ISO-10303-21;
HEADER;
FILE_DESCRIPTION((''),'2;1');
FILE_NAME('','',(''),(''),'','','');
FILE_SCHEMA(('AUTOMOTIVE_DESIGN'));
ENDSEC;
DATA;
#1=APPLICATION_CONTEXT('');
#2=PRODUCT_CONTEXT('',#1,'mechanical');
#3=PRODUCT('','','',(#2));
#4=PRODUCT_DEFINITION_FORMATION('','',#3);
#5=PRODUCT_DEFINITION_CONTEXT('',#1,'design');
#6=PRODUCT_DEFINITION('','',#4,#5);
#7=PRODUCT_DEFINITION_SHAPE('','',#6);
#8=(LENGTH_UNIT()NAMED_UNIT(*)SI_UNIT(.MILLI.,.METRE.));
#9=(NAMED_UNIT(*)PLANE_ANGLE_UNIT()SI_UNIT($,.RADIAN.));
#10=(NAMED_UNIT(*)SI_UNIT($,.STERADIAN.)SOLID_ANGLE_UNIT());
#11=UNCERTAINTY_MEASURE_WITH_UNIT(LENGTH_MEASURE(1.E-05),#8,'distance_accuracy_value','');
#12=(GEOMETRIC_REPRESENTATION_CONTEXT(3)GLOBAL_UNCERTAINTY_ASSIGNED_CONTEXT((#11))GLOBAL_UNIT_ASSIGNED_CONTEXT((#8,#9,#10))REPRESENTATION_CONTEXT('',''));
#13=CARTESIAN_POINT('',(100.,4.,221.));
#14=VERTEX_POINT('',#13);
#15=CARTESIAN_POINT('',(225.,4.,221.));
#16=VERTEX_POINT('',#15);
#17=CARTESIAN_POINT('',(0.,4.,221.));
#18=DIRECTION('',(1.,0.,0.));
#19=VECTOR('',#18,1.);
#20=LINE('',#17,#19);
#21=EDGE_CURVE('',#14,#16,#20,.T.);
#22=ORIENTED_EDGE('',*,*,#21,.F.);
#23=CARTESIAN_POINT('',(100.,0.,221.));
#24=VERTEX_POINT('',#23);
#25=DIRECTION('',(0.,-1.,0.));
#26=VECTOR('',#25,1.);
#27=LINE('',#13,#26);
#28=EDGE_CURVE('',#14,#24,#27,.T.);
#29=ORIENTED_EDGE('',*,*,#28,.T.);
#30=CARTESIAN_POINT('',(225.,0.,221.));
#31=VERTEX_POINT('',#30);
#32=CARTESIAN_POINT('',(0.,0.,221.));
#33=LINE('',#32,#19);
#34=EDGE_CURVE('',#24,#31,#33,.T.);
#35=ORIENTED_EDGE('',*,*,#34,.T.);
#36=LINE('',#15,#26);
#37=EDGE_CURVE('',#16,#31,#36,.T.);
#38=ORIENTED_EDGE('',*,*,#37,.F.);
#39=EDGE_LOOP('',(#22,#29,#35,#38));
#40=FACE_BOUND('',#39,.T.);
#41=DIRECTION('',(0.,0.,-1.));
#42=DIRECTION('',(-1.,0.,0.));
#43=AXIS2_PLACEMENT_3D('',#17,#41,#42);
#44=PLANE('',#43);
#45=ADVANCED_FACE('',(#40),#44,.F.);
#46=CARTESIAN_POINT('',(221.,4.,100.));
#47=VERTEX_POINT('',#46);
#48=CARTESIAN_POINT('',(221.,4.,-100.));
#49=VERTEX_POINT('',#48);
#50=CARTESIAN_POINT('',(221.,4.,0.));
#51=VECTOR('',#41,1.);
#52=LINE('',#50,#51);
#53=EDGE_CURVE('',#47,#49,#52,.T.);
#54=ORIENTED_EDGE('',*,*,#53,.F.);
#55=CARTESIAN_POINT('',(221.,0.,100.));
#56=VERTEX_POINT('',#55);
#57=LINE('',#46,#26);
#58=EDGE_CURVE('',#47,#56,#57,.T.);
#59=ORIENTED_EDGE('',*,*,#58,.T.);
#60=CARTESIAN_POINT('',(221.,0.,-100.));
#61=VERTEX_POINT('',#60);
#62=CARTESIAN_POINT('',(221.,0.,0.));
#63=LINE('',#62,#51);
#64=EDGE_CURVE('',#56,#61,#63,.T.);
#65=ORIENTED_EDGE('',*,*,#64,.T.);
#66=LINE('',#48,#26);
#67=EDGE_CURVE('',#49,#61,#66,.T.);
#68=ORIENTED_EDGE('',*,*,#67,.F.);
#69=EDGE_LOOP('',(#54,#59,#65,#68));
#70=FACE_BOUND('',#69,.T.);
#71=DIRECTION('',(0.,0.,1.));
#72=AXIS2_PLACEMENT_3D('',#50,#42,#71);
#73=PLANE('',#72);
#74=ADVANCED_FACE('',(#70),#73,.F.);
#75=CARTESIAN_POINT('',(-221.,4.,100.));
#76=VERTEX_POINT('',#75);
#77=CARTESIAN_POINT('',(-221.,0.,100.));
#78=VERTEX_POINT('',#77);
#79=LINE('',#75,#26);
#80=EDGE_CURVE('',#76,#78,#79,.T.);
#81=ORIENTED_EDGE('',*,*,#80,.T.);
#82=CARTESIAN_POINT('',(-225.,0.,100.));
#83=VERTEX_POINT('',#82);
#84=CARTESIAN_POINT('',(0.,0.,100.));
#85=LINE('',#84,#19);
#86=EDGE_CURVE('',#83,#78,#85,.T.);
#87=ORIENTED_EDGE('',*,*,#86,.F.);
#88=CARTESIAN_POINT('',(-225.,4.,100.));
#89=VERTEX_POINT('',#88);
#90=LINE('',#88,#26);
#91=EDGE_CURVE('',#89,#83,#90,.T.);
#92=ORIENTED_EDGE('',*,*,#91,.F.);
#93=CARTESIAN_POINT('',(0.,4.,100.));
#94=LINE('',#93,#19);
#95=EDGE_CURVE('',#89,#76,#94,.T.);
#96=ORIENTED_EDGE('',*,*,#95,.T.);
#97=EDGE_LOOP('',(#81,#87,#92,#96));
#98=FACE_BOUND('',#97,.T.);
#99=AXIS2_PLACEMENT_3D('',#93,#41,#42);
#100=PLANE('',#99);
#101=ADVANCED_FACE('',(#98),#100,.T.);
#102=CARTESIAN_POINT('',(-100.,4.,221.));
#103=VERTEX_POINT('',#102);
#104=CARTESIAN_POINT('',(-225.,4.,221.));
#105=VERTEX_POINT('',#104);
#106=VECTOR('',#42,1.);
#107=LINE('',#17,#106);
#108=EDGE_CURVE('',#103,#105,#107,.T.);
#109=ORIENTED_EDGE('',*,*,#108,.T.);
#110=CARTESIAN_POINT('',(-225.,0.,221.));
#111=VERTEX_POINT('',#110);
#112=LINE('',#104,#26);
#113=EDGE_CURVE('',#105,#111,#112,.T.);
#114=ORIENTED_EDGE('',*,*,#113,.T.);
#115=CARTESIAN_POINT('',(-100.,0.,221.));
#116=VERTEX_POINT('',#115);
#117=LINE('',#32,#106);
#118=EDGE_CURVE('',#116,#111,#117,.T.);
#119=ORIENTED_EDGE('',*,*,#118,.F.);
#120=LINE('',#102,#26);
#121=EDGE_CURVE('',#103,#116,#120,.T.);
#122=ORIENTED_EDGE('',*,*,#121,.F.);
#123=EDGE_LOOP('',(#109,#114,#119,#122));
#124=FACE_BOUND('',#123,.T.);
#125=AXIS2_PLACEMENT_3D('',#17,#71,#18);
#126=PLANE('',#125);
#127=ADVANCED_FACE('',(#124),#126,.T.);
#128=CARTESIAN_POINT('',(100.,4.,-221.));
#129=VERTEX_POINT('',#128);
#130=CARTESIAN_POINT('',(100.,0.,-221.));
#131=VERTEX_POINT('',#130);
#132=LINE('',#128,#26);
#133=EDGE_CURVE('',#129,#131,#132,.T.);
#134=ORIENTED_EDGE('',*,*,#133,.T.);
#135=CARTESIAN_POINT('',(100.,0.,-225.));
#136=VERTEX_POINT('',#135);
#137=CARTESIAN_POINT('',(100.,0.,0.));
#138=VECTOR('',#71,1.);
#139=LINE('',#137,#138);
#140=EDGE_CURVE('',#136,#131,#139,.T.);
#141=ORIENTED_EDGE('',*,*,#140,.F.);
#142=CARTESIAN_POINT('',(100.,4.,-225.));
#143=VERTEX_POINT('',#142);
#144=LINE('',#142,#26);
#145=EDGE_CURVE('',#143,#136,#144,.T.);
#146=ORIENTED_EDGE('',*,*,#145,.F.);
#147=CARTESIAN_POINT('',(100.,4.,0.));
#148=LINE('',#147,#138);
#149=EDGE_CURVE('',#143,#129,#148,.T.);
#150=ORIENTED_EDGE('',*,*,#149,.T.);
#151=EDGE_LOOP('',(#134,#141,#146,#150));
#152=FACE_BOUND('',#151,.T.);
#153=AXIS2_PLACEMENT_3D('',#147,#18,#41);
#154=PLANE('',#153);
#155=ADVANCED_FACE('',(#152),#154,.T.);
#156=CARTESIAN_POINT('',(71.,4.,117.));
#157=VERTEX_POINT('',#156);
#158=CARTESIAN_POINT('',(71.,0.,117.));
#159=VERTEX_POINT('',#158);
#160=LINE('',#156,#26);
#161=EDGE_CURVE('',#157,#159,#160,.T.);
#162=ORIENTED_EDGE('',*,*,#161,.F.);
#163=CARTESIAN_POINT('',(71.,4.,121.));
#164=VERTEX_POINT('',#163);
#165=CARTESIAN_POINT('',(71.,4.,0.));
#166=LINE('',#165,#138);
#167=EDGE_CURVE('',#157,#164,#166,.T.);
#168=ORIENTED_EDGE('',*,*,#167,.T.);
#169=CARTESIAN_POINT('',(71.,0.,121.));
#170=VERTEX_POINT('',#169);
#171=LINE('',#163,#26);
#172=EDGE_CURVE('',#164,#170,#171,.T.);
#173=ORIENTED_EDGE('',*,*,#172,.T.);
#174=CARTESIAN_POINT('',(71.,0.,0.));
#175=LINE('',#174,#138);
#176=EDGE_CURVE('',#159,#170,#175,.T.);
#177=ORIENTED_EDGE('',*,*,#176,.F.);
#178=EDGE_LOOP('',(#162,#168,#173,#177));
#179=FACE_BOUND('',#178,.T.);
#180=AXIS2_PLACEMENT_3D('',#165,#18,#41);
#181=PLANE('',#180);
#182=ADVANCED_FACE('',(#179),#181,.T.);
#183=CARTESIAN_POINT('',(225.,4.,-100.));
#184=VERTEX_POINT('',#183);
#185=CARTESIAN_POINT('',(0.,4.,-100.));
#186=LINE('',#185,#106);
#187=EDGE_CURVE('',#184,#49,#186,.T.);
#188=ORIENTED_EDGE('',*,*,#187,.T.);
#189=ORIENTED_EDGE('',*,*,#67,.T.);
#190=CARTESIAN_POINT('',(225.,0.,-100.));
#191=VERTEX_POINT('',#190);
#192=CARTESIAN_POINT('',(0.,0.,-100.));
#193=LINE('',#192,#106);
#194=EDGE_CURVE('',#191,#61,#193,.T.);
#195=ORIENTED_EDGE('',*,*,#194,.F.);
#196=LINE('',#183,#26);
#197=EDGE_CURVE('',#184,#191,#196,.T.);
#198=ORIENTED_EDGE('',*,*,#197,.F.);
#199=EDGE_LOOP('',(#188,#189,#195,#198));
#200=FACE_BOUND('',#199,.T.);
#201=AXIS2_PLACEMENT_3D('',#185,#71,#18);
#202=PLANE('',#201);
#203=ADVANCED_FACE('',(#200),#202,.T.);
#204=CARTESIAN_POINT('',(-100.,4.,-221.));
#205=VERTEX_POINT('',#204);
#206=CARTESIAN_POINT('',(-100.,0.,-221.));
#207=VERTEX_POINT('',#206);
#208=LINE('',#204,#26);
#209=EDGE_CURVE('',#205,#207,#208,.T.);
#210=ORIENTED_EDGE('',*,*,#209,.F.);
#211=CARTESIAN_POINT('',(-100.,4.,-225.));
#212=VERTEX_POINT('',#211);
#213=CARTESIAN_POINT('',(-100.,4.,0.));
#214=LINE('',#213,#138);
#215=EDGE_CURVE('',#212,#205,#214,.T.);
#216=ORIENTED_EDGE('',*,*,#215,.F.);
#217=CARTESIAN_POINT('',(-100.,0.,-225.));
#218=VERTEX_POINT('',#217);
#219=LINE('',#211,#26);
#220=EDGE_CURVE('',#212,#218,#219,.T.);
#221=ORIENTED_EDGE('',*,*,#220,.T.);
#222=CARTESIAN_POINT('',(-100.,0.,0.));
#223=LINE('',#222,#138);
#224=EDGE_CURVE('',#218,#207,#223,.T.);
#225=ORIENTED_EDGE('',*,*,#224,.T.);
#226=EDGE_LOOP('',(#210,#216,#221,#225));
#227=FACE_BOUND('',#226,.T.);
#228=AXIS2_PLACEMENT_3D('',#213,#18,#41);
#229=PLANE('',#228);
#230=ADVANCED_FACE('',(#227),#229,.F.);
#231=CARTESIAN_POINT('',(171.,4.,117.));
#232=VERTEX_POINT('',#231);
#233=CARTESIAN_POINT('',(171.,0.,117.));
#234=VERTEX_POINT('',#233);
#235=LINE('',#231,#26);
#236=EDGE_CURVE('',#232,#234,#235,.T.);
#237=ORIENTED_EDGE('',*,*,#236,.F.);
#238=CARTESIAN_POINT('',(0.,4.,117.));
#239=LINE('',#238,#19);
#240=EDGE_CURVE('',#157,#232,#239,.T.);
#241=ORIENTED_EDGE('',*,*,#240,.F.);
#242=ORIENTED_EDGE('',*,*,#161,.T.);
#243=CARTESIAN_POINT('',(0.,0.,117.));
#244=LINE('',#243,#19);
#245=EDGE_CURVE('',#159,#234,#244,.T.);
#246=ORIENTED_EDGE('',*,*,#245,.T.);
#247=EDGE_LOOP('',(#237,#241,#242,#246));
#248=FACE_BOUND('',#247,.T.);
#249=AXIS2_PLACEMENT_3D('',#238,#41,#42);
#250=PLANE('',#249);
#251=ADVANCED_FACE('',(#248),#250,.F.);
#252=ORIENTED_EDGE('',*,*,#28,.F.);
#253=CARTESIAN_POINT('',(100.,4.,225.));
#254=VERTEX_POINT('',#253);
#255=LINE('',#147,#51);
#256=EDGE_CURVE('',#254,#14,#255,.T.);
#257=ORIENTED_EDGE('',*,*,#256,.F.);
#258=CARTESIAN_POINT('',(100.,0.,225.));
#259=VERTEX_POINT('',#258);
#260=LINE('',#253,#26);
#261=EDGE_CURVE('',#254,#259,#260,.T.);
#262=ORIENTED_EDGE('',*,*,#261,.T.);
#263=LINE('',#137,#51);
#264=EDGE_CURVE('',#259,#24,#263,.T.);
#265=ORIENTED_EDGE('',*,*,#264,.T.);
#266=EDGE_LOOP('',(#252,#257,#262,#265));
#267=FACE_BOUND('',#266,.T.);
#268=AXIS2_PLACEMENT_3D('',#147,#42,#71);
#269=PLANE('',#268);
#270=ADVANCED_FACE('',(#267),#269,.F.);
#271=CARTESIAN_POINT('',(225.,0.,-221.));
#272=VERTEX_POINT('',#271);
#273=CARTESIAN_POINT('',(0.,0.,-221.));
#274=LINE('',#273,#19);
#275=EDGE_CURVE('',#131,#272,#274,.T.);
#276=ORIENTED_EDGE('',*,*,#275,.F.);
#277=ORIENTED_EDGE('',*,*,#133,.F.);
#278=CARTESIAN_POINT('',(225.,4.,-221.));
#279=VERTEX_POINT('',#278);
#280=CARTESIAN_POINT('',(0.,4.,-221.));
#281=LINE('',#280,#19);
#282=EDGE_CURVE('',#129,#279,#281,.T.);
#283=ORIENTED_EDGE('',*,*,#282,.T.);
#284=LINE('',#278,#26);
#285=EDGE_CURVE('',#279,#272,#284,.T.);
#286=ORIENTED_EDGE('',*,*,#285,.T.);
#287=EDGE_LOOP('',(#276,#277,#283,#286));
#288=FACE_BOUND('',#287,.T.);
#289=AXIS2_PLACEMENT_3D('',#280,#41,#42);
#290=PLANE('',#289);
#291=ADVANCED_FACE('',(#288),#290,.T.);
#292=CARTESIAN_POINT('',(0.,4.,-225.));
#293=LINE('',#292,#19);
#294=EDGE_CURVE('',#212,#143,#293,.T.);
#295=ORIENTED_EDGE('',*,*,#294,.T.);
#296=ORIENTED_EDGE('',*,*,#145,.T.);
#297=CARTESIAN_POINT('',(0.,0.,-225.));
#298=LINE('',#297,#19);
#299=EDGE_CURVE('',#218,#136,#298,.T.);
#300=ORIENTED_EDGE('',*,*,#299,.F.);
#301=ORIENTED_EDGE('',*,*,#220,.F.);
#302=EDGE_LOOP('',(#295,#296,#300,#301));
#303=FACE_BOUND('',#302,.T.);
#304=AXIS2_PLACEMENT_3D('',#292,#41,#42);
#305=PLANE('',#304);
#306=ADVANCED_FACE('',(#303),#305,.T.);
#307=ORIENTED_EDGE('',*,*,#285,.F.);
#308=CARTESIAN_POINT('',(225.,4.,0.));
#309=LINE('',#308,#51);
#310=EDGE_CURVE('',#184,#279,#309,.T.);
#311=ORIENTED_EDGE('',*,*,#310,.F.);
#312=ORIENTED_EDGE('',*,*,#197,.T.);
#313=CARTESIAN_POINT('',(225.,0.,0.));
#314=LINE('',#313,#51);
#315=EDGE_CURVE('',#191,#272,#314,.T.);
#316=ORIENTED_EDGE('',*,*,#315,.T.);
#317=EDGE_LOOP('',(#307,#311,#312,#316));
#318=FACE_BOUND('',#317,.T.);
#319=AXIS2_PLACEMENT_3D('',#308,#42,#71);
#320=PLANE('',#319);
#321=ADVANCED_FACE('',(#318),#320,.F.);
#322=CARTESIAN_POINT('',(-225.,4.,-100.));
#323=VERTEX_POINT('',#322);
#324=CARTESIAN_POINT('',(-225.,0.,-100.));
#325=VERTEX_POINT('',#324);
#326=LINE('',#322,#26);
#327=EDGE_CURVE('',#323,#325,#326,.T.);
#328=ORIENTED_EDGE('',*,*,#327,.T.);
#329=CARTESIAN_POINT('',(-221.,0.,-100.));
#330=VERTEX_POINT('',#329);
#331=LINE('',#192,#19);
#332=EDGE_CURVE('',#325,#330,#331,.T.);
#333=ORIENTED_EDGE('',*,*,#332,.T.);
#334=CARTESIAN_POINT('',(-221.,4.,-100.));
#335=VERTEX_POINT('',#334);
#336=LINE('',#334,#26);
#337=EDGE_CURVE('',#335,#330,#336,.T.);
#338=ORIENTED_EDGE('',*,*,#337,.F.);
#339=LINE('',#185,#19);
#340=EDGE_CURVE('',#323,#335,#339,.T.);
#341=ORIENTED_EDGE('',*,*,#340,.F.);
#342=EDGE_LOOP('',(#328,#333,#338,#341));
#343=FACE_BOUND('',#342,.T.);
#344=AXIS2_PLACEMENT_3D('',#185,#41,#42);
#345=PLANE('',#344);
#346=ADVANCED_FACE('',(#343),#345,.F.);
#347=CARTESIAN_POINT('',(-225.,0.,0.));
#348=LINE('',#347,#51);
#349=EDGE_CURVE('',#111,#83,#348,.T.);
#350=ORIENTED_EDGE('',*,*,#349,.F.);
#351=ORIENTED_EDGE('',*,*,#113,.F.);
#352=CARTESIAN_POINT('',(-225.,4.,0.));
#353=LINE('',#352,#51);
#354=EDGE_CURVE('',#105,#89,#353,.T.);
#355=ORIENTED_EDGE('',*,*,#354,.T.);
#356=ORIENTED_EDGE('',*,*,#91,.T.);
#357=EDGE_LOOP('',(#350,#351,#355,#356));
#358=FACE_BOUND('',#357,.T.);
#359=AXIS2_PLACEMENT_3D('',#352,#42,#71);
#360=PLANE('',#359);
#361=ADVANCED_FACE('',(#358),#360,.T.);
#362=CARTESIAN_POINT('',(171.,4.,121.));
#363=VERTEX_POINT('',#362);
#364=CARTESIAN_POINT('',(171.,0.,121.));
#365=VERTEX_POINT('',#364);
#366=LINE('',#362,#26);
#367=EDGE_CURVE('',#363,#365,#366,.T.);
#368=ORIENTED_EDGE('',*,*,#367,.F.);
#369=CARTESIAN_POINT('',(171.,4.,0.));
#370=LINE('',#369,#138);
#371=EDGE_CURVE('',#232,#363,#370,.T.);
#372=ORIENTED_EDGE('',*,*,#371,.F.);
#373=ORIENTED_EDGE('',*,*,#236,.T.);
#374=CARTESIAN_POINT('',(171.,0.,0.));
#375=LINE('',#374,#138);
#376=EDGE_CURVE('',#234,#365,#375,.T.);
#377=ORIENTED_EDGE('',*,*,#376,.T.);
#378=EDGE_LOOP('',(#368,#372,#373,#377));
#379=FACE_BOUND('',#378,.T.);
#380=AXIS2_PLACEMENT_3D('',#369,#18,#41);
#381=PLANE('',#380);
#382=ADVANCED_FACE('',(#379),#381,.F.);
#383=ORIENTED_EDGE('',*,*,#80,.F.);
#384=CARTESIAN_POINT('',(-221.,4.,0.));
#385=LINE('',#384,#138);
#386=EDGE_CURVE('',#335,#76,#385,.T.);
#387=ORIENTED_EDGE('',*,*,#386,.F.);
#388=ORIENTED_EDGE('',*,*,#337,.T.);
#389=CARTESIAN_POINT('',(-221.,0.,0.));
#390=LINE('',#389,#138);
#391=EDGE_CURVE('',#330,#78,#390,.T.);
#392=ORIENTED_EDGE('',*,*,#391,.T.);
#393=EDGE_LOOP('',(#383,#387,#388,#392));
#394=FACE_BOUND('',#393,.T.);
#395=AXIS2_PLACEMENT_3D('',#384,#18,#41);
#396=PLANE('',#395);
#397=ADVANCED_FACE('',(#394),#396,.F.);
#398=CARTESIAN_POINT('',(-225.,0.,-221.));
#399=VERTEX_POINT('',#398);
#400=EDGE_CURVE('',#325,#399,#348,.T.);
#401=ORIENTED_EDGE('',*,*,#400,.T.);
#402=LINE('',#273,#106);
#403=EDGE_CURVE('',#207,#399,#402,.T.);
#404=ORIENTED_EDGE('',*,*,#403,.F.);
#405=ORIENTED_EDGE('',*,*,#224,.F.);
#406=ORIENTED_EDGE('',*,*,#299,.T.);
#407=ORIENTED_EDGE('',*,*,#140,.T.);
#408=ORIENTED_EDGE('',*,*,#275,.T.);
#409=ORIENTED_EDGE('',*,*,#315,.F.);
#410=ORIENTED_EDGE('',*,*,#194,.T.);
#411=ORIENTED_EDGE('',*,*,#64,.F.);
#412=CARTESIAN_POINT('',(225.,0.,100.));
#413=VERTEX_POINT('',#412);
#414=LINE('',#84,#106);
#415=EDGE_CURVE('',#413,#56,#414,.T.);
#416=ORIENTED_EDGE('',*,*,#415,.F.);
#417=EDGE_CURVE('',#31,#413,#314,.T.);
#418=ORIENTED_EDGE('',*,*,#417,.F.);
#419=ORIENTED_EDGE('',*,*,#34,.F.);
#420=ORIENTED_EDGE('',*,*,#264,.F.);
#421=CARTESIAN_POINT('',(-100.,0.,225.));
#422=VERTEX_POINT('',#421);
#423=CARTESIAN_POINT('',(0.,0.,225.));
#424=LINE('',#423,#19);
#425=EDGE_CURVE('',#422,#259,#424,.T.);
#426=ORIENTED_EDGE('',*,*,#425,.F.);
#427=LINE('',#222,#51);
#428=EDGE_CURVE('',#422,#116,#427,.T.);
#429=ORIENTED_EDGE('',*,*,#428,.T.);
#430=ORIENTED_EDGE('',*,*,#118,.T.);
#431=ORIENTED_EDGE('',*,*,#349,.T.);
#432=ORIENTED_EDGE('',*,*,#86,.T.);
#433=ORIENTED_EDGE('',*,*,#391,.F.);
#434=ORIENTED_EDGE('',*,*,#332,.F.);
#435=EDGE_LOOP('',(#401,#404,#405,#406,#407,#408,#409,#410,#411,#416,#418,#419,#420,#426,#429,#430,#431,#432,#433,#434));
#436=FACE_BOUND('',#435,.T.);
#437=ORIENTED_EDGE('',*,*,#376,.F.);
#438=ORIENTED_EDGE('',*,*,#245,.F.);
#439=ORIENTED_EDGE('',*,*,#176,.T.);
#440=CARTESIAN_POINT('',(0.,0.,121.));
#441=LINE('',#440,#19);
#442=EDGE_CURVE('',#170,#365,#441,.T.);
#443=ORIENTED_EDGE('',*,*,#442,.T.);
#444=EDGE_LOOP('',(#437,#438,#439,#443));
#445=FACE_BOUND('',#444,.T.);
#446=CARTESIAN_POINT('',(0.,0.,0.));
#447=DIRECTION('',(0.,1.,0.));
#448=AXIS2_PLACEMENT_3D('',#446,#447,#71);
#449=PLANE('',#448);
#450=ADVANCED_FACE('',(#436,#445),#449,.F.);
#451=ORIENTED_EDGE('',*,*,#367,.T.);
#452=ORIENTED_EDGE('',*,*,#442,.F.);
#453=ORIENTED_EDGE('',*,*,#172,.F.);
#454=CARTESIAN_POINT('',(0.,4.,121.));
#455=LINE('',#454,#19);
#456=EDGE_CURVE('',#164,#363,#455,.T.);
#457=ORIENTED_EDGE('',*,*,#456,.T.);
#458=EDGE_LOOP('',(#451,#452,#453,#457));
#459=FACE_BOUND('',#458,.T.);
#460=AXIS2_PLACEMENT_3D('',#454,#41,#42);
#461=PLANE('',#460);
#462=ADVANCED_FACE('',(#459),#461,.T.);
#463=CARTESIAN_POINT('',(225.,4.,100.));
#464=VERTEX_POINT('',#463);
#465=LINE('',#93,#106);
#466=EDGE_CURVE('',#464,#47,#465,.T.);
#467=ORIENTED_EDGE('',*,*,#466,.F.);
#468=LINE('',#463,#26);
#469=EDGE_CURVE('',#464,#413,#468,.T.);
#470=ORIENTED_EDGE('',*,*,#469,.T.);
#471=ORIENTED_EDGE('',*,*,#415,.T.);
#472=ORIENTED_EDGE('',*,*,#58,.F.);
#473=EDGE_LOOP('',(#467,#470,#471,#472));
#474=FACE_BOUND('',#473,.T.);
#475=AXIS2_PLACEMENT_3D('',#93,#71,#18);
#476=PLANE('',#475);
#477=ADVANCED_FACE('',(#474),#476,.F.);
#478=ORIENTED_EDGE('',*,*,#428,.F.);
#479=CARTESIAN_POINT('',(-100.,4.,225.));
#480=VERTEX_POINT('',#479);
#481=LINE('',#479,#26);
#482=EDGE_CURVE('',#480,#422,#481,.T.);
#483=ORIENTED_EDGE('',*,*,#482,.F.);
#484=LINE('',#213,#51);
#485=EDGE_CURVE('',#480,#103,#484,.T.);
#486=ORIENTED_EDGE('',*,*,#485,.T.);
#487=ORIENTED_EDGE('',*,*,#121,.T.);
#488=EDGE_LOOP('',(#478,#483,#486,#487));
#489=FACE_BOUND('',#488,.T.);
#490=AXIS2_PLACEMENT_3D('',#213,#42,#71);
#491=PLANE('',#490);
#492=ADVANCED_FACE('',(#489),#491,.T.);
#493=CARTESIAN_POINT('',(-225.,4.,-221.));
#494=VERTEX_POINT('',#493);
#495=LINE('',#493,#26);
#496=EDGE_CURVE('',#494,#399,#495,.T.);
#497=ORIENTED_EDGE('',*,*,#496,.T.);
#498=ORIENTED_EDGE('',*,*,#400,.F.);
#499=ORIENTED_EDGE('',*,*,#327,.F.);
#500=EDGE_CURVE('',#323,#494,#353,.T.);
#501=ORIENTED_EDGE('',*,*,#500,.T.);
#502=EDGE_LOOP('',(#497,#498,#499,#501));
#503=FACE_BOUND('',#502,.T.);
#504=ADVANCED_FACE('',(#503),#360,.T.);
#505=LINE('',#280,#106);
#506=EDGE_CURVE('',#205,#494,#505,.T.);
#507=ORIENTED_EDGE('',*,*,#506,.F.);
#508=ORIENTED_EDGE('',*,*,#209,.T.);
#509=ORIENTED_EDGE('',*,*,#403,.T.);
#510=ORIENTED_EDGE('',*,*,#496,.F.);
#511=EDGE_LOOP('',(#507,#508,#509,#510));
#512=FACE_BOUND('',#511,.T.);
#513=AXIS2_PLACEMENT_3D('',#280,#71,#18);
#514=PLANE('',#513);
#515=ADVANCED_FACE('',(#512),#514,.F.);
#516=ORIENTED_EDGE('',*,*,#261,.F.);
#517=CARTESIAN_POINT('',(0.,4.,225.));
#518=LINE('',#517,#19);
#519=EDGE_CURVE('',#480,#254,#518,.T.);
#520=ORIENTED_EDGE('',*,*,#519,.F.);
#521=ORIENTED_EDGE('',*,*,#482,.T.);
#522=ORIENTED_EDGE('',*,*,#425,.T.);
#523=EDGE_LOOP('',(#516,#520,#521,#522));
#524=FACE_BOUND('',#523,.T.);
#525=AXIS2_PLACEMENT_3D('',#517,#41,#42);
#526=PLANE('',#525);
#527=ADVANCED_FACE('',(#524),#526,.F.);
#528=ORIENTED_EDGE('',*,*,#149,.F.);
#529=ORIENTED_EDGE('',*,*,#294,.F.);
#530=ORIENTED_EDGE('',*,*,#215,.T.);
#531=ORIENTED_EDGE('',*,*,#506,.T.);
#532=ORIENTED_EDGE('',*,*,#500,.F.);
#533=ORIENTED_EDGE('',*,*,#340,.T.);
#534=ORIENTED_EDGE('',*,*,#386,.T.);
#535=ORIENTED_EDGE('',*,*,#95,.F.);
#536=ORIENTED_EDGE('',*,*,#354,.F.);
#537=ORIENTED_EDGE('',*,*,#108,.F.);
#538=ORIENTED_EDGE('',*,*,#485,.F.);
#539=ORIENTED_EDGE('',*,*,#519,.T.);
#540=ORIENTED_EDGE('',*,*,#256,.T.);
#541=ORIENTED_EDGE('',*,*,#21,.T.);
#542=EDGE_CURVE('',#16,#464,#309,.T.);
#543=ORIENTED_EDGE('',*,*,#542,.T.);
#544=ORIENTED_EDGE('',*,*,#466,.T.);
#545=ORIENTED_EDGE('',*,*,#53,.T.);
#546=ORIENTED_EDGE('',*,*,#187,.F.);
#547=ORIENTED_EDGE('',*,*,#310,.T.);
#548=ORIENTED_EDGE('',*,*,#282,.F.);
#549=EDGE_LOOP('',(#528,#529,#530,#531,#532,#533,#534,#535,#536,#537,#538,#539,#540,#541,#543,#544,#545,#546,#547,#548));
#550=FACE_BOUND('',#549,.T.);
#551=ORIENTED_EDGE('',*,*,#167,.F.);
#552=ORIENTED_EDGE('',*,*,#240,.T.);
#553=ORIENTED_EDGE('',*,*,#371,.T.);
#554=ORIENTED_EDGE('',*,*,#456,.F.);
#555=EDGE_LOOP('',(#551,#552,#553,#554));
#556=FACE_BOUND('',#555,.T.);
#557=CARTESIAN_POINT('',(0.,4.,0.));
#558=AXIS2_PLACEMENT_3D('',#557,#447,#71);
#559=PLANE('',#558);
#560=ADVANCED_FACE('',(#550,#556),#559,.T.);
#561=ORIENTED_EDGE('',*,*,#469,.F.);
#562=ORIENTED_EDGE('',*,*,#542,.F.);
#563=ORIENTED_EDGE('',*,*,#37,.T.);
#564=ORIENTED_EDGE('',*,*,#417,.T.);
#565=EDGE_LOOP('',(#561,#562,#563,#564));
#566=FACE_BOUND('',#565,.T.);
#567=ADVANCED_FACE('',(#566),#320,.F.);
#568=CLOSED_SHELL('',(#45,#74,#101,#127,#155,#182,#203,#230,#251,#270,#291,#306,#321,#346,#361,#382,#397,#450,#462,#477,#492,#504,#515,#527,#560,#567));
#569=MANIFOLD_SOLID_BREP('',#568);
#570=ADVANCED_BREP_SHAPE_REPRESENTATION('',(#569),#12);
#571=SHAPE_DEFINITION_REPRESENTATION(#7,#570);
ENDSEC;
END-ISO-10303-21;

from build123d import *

# Parameters (mm, degrees)
SKETCH1_W           = 100
SKETCH1_H           = 4
BOSS_EXTRUDE1_DEPTH = 4


with BuildPart() as part:
    # Sketch1 → Boss-Extrude1 (new body)
    with BuildSketch(Plane(origin=(0, 0, 0), x_dir=(1, 0, 0), z_dir=(0, 1, 0))):
        Polygon((-100, -221), (-225, -221), (-225, -100), (-221, -100), (-221, 100), (-225, 100), (-225, 221), (-100, 221), (-100, 225), (100, 225), (100, 221), (225, 221), (225, 100), (221, 100), (221, -100), (225, -100), (225, -221), (100, -221), (100, -225), (-100, -225), align=None)
        with Locations((121, -119)):
            Rectangle(SKETCH1_W, SKETCH1_H, mode=Mode.SUBTRACT)
    extrude(amount=BOSS_EXTRUDE1_DEPTH)


solid = part.part
